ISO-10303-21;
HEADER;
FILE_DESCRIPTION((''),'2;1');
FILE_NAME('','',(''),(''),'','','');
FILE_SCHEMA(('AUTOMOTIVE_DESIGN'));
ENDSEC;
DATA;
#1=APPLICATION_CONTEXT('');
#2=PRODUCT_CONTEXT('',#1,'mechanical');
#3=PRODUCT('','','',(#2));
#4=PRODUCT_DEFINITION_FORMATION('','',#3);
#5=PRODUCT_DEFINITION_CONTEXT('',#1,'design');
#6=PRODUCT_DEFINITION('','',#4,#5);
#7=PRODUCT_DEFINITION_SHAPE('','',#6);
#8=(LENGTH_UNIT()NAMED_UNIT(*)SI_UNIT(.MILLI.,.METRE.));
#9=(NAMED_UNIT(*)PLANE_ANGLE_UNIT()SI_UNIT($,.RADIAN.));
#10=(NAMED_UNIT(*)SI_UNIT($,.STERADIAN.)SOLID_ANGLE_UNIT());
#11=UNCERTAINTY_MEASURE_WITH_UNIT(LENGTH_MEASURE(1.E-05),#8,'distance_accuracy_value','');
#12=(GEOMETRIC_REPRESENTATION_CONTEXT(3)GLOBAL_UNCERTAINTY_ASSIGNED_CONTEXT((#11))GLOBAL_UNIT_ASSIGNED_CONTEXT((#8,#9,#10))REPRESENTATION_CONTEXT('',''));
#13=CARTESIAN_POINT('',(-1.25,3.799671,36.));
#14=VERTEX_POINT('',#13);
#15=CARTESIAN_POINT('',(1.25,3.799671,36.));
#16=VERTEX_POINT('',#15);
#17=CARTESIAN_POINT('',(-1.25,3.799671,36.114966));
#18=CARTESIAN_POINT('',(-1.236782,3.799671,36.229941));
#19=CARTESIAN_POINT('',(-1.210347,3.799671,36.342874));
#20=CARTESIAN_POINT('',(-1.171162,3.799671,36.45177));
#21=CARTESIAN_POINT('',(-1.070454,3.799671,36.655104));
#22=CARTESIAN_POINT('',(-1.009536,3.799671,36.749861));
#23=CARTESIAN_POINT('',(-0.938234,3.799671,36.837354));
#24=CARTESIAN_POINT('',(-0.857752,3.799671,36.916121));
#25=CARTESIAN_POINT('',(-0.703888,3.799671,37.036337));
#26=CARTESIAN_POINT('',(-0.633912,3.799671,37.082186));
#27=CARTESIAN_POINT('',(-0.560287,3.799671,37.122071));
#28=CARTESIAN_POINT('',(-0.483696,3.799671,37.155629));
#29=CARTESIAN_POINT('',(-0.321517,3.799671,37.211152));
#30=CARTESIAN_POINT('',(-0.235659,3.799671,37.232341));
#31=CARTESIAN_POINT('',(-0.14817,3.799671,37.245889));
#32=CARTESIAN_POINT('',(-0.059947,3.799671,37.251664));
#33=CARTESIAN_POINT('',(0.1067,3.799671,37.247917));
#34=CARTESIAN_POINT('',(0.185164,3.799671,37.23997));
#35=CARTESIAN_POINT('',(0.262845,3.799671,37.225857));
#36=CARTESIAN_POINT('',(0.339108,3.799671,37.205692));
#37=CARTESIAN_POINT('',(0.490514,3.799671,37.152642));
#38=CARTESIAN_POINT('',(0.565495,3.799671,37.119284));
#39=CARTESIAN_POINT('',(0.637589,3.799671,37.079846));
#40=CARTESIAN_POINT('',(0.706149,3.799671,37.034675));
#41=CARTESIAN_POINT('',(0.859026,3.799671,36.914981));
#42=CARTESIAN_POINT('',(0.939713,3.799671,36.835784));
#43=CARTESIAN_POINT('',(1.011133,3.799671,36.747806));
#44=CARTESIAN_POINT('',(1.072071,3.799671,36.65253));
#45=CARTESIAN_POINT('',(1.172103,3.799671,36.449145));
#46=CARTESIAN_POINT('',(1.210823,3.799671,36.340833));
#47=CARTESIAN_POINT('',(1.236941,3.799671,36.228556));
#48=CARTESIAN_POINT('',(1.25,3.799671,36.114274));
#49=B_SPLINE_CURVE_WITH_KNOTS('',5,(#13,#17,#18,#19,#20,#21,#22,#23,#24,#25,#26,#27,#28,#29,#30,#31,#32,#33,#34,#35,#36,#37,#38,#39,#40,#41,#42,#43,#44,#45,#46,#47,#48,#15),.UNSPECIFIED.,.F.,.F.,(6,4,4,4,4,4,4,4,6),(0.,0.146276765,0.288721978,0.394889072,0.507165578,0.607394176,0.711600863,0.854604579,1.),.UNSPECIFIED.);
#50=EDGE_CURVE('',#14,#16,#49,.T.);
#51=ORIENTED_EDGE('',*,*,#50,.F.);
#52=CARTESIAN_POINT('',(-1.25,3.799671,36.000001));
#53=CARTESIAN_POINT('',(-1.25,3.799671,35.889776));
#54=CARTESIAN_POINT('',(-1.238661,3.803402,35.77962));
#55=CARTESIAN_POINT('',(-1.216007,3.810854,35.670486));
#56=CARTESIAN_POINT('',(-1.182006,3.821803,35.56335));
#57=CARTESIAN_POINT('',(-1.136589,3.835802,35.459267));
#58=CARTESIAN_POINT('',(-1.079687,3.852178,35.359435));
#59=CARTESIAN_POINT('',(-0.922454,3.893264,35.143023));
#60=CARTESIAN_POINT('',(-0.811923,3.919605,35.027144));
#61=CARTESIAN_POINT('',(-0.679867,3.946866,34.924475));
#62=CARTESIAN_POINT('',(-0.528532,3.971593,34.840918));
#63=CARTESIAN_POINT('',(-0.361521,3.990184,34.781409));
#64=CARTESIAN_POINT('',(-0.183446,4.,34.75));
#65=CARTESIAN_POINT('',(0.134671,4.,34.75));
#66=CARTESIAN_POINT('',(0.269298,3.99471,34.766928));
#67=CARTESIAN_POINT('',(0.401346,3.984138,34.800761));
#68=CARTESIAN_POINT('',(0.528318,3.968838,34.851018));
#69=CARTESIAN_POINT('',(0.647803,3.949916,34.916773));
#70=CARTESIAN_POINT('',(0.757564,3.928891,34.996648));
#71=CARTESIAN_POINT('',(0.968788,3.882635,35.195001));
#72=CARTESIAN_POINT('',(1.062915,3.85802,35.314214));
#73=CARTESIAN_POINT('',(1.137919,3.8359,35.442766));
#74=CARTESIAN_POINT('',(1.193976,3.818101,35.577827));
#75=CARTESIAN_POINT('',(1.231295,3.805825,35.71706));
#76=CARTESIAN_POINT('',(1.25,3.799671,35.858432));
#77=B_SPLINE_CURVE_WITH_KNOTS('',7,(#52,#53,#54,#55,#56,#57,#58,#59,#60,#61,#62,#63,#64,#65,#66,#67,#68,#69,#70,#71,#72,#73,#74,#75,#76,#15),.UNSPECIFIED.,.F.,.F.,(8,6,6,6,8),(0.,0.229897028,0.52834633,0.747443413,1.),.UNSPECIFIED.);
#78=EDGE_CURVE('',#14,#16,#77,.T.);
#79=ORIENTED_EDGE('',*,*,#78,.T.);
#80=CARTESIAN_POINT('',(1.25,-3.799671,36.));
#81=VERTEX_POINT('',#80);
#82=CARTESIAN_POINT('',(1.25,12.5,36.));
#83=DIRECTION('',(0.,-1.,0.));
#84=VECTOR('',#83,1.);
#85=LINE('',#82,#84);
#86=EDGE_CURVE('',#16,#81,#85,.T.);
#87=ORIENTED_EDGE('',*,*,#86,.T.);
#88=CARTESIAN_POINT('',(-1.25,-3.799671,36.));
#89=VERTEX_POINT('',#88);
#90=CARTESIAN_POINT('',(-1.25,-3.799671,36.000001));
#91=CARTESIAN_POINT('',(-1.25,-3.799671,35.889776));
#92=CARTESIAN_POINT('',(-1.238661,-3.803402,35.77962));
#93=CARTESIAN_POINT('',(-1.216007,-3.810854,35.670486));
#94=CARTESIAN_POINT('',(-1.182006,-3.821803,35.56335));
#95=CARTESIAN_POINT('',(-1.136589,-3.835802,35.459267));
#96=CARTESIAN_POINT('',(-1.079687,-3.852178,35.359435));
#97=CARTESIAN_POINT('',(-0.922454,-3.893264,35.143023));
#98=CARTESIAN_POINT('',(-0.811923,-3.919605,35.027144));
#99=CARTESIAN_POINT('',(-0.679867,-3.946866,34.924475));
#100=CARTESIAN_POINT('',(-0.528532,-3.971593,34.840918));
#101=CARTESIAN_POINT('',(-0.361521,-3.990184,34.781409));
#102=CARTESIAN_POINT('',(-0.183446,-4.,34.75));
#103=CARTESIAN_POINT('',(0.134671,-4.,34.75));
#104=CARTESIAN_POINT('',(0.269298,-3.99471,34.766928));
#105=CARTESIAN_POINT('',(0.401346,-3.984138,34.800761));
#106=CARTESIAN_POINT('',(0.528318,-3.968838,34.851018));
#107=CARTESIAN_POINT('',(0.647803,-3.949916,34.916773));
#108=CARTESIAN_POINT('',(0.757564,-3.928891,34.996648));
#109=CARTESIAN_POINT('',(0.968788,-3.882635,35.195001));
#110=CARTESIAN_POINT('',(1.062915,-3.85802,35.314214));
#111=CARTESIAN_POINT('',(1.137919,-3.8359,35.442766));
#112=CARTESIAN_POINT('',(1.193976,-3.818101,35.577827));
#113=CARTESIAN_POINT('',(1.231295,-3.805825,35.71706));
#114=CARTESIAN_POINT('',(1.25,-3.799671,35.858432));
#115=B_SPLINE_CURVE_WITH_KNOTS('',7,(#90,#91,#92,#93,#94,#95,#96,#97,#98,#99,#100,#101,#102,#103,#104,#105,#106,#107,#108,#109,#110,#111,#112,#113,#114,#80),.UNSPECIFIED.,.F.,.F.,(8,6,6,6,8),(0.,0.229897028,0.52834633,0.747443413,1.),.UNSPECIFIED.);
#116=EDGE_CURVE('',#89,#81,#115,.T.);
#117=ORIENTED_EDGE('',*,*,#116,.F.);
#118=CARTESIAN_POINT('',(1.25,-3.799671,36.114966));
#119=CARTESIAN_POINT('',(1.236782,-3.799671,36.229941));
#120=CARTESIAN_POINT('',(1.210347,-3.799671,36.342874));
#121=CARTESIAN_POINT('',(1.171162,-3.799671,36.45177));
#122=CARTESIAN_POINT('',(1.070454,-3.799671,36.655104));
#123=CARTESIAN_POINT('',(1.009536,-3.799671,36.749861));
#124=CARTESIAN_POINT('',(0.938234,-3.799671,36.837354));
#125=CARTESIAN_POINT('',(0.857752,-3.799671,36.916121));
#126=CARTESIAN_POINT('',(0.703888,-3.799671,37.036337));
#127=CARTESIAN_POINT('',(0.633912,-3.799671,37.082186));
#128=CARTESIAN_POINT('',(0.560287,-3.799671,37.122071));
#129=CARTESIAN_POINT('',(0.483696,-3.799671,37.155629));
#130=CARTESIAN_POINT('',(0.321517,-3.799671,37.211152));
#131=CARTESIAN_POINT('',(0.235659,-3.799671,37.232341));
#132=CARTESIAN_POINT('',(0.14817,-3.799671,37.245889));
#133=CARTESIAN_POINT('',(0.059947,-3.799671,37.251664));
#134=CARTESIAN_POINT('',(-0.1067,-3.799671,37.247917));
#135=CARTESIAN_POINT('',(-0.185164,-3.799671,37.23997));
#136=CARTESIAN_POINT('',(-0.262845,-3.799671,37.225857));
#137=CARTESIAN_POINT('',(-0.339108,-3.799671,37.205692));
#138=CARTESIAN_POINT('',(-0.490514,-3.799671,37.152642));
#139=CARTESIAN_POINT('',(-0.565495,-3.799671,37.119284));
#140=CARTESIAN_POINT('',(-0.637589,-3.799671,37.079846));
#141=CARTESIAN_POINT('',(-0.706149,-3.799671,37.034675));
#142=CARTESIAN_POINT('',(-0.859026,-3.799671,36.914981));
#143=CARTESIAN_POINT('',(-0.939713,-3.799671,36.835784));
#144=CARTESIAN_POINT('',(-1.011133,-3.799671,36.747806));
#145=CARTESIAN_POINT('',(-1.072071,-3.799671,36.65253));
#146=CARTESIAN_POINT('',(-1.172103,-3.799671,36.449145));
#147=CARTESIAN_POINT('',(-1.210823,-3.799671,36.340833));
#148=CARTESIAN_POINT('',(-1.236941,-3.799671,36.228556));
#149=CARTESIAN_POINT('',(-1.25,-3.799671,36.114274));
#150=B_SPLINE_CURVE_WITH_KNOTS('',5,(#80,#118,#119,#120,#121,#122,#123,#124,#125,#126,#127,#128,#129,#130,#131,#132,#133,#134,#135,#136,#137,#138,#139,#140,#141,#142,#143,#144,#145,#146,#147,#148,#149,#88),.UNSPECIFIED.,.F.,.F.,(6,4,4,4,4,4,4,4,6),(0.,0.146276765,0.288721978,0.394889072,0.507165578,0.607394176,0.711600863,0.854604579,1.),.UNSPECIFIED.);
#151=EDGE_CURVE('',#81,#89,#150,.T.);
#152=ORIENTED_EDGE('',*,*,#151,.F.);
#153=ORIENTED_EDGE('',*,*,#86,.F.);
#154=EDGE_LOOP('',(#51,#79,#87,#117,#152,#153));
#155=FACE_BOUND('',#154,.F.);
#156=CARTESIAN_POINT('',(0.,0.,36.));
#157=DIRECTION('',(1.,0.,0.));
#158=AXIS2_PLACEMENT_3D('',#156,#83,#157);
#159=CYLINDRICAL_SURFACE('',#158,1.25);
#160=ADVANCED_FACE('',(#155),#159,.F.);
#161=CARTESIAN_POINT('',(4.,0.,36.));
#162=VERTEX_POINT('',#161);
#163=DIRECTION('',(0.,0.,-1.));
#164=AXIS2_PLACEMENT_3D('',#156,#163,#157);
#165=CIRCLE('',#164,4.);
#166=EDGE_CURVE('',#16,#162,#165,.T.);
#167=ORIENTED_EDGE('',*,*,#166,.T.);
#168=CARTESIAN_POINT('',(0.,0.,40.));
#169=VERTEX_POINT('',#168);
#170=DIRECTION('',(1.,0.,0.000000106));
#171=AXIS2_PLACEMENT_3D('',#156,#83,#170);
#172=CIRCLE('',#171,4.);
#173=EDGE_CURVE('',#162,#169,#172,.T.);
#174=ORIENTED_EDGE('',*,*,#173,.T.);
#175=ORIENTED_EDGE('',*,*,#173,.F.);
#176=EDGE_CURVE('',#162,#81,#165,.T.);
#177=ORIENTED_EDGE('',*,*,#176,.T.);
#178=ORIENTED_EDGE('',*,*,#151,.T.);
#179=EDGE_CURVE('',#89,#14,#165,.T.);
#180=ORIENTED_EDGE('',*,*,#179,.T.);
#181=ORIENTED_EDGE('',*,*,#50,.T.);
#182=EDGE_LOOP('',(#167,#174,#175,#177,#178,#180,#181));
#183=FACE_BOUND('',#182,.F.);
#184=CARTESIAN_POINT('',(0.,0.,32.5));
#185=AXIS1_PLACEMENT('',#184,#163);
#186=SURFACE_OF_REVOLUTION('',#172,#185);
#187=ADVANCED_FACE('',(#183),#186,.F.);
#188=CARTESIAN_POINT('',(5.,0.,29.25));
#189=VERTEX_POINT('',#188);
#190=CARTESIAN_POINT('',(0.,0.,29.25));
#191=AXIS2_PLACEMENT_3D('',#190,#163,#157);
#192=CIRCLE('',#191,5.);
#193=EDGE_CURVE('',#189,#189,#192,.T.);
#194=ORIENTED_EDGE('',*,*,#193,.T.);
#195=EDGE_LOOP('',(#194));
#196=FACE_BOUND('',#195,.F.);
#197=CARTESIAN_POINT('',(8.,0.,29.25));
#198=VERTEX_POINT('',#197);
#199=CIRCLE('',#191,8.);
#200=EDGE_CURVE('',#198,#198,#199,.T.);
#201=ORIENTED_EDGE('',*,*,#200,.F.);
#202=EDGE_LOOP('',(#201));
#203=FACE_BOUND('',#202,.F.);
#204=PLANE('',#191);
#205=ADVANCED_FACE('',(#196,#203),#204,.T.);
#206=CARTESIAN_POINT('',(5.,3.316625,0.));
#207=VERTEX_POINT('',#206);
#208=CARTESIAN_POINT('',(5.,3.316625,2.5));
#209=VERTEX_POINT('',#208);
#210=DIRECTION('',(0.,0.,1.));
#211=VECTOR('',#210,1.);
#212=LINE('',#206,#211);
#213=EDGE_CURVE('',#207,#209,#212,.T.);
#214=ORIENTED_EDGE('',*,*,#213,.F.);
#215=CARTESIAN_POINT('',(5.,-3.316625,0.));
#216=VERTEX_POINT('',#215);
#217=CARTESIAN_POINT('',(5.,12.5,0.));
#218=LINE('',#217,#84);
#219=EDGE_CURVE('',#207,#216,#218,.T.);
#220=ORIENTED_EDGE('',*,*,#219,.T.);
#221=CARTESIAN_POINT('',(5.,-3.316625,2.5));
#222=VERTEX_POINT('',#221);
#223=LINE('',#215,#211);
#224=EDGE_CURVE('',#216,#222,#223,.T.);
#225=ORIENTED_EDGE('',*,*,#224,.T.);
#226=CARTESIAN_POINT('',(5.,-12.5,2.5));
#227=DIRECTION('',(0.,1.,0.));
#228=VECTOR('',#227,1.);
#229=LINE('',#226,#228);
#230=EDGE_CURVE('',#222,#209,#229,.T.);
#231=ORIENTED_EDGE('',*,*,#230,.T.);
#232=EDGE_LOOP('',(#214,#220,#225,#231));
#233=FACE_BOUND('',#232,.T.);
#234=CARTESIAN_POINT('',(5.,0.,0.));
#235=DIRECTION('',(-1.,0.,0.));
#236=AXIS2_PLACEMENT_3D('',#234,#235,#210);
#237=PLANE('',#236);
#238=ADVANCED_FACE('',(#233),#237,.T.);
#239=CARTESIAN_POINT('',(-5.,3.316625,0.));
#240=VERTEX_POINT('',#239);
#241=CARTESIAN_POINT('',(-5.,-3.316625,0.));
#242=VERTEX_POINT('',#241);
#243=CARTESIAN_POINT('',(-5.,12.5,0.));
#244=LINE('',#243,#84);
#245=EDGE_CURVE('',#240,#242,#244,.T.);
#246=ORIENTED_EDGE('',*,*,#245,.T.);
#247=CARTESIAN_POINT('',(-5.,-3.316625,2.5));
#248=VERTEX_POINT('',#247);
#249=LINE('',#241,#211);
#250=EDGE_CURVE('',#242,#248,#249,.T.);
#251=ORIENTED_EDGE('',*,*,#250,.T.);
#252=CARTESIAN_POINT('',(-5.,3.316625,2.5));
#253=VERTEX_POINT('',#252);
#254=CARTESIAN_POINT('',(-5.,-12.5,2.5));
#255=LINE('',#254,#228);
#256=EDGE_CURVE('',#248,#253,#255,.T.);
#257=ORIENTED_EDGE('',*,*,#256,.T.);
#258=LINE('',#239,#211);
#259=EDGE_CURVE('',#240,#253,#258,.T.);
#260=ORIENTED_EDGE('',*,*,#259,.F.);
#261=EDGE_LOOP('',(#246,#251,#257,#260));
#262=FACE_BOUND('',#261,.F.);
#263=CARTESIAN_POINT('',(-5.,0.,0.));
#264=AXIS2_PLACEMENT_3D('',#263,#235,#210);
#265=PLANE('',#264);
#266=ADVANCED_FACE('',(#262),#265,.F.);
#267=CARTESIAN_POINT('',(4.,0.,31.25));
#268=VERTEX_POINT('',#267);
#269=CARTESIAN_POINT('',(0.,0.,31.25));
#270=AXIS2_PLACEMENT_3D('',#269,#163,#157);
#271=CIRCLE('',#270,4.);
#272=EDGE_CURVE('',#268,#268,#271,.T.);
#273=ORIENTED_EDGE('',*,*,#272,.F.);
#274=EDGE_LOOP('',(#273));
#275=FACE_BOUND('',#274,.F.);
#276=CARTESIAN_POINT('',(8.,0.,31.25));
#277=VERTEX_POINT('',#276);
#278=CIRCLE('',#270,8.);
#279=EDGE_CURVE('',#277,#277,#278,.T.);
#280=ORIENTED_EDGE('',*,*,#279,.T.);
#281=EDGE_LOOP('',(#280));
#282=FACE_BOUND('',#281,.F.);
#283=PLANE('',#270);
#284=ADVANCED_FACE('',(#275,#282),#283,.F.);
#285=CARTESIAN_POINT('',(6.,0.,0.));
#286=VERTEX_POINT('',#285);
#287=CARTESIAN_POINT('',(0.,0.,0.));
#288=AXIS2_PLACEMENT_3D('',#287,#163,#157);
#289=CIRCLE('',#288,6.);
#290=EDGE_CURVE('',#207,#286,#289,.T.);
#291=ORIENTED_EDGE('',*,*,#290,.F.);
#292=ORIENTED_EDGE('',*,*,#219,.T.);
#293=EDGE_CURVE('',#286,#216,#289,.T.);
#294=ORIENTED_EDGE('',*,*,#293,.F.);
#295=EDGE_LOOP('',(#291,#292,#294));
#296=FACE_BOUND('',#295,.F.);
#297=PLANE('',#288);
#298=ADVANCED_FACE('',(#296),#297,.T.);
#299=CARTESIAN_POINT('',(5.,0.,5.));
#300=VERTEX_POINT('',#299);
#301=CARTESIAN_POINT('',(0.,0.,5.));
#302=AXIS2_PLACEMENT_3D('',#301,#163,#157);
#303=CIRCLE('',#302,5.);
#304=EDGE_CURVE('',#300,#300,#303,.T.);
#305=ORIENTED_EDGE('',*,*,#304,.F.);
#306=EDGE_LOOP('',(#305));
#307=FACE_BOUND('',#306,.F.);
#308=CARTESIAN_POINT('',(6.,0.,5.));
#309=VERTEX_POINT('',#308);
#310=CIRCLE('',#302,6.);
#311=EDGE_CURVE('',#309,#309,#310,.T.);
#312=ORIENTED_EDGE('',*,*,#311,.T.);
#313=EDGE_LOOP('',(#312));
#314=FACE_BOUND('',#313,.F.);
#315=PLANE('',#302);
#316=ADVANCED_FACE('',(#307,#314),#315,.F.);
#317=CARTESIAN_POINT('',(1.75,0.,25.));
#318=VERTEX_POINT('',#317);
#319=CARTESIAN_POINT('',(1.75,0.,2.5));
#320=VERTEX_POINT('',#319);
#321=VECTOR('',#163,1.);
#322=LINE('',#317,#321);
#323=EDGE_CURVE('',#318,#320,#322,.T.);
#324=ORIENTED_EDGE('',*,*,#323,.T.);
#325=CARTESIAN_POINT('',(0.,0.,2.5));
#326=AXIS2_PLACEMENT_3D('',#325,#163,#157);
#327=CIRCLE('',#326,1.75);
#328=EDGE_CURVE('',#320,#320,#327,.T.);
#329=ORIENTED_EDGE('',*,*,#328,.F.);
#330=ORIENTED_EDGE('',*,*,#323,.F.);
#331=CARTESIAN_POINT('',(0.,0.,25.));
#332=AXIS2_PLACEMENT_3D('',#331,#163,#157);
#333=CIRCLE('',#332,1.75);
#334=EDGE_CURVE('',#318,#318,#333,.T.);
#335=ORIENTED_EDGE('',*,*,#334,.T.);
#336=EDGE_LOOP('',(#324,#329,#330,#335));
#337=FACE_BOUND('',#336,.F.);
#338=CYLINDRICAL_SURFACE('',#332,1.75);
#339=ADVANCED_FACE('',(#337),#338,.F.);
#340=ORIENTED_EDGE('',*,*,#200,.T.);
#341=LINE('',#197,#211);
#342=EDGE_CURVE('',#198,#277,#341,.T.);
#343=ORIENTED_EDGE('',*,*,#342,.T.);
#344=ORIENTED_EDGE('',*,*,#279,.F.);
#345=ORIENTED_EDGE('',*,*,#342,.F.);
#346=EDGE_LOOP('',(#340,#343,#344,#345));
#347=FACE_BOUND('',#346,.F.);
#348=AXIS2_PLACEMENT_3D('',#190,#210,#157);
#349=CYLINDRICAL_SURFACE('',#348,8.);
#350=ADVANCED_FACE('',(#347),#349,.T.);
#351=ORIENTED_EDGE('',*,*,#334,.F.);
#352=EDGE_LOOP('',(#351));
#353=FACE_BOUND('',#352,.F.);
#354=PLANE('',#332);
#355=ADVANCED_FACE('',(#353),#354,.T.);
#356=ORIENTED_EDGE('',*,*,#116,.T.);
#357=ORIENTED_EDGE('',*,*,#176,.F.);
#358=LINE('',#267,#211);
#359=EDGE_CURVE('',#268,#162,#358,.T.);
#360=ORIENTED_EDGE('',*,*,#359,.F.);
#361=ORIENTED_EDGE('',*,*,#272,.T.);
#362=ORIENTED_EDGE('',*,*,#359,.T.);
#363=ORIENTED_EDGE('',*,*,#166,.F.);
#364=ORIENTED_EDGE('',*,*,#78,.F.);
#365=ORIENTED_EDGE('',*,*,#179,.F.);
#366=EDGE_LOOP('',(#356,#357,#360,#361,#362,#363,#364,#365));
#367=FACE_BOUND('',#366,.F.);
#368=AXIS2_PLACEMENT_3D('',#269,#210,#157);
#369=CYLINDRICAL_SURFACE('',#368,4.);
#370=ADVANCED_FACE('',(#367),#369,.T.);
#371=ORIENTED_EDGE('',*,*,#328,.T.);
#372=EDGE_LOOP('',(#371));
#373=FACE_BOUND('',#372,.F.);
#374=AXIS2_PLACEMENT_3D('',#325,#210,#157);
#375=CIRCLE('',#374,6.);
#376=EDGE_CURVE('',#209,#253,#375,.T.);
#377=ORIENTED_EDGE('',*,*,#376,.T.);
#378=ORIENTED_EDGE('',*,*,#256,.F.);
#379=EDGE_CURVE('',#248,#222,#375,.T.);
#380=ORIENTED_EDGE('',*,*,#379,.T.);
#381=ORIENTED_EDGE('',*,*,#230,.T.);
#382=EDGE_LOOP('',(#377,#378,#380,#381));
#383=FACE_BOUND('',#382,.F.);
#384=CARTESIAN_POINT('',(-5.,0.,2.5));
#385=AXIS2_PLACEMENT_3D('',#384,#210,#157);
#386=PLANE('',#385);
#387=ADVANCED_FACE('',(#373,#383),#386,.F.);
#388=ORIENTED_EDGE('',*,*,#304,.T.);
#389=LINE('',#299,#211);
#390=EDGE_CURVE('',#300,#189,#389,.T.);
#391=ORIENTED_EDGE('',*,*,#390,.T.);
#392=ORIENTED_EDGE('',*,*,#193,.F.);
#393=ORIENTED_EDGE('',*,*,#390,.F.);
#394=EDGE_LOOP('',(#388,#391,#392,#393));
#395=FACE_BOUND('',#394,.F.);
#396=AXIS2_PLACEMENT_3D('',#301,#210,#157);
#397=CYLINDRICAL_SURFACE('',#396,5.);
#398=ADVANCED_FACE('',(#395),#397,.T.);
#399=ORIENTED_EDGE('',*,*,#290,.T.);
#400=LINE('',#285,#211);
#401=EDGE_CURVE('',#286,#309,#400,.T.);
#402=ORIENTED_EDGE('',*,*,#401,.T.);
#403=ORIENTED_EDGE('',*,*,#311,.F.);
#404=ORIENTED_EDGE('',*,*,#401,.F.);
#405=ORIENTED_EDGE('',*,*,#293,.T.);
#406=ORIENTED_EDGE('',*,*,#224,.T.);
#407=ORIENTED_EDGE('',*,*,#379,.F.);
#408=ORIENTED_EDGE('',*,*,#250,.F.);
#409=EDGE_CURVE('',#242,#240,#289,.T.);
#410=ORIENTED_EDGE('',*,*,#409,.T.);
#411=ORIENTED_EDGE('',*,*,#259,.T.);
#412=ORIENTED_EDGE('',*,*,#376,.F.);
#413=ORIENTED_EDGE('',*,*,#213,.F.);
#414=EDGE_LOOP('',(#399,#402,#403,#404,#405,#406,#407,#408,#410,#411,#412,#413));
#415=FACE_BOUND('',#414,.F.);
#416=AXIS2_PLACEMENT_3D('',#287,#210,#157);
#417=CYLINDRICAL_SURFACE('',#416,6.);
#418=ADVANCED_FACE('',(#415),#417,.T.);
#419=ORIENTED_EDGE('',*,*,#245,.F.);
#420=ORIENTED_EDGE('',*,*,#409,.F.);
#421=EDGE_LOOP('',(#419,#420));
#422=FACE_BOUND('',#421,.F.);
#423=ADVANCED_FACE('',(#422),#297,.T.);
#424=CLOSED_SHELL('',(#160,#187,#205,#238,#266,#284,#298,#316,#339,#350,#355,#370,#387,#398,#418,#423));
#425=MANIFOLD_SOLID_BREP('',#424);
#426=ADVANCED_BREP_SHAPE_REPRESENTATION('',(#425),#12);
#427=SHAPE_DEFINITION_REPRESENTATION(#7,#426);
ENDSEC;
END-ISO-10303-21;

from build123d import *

# Parameters (mm, degrees)
F2_W     = 10
F2_H     = 2.5
F2_R     = 1.25
F3_DEPTH = 12.5


with BuildPart() as f1:
    # F0 (on Front) → F1 (revolve)
    with BuildSketch(Plane.XZ):
        with BuildLine():
            Line((1.75, 25), (1.75, 0))
            Line((1.75, 0), (6, 0))
            Line((6, 0), (6, 5))
            Line((6, 5), (5, 5))
            Line((5, 5), (5, 29.25))
            Line((5, 29.25), (8, 29.25))
            Line((8, 29.25), (8, 31.25))
            Line((8, 31.25), (4, 31.25))
            Line((4, 31.25), (4, 36))
            ThreePointArc((4, 36), (2.828427, 38.828427), (0, 40))
            Line((0, 40), (0, 25))
            Line((0, 25), (1.75, 25))
        make_face()
    revolve(axis=Axis((0, 0, 32.5), (0, 0, -1)))

    # F2 (on Front) → F3 (cut, symmetric)
    with BuildSketch(Plane.XZ):
        with Locations((0, 1.25)):
            Rectangle(F2_W, F2_H)
        with Locations((0, 36)):
            Circle(F2_R)
    extrude(amount=F3_DEPTH, both=True, mode=Mode.SUBTRACT)


solid = f1.part
